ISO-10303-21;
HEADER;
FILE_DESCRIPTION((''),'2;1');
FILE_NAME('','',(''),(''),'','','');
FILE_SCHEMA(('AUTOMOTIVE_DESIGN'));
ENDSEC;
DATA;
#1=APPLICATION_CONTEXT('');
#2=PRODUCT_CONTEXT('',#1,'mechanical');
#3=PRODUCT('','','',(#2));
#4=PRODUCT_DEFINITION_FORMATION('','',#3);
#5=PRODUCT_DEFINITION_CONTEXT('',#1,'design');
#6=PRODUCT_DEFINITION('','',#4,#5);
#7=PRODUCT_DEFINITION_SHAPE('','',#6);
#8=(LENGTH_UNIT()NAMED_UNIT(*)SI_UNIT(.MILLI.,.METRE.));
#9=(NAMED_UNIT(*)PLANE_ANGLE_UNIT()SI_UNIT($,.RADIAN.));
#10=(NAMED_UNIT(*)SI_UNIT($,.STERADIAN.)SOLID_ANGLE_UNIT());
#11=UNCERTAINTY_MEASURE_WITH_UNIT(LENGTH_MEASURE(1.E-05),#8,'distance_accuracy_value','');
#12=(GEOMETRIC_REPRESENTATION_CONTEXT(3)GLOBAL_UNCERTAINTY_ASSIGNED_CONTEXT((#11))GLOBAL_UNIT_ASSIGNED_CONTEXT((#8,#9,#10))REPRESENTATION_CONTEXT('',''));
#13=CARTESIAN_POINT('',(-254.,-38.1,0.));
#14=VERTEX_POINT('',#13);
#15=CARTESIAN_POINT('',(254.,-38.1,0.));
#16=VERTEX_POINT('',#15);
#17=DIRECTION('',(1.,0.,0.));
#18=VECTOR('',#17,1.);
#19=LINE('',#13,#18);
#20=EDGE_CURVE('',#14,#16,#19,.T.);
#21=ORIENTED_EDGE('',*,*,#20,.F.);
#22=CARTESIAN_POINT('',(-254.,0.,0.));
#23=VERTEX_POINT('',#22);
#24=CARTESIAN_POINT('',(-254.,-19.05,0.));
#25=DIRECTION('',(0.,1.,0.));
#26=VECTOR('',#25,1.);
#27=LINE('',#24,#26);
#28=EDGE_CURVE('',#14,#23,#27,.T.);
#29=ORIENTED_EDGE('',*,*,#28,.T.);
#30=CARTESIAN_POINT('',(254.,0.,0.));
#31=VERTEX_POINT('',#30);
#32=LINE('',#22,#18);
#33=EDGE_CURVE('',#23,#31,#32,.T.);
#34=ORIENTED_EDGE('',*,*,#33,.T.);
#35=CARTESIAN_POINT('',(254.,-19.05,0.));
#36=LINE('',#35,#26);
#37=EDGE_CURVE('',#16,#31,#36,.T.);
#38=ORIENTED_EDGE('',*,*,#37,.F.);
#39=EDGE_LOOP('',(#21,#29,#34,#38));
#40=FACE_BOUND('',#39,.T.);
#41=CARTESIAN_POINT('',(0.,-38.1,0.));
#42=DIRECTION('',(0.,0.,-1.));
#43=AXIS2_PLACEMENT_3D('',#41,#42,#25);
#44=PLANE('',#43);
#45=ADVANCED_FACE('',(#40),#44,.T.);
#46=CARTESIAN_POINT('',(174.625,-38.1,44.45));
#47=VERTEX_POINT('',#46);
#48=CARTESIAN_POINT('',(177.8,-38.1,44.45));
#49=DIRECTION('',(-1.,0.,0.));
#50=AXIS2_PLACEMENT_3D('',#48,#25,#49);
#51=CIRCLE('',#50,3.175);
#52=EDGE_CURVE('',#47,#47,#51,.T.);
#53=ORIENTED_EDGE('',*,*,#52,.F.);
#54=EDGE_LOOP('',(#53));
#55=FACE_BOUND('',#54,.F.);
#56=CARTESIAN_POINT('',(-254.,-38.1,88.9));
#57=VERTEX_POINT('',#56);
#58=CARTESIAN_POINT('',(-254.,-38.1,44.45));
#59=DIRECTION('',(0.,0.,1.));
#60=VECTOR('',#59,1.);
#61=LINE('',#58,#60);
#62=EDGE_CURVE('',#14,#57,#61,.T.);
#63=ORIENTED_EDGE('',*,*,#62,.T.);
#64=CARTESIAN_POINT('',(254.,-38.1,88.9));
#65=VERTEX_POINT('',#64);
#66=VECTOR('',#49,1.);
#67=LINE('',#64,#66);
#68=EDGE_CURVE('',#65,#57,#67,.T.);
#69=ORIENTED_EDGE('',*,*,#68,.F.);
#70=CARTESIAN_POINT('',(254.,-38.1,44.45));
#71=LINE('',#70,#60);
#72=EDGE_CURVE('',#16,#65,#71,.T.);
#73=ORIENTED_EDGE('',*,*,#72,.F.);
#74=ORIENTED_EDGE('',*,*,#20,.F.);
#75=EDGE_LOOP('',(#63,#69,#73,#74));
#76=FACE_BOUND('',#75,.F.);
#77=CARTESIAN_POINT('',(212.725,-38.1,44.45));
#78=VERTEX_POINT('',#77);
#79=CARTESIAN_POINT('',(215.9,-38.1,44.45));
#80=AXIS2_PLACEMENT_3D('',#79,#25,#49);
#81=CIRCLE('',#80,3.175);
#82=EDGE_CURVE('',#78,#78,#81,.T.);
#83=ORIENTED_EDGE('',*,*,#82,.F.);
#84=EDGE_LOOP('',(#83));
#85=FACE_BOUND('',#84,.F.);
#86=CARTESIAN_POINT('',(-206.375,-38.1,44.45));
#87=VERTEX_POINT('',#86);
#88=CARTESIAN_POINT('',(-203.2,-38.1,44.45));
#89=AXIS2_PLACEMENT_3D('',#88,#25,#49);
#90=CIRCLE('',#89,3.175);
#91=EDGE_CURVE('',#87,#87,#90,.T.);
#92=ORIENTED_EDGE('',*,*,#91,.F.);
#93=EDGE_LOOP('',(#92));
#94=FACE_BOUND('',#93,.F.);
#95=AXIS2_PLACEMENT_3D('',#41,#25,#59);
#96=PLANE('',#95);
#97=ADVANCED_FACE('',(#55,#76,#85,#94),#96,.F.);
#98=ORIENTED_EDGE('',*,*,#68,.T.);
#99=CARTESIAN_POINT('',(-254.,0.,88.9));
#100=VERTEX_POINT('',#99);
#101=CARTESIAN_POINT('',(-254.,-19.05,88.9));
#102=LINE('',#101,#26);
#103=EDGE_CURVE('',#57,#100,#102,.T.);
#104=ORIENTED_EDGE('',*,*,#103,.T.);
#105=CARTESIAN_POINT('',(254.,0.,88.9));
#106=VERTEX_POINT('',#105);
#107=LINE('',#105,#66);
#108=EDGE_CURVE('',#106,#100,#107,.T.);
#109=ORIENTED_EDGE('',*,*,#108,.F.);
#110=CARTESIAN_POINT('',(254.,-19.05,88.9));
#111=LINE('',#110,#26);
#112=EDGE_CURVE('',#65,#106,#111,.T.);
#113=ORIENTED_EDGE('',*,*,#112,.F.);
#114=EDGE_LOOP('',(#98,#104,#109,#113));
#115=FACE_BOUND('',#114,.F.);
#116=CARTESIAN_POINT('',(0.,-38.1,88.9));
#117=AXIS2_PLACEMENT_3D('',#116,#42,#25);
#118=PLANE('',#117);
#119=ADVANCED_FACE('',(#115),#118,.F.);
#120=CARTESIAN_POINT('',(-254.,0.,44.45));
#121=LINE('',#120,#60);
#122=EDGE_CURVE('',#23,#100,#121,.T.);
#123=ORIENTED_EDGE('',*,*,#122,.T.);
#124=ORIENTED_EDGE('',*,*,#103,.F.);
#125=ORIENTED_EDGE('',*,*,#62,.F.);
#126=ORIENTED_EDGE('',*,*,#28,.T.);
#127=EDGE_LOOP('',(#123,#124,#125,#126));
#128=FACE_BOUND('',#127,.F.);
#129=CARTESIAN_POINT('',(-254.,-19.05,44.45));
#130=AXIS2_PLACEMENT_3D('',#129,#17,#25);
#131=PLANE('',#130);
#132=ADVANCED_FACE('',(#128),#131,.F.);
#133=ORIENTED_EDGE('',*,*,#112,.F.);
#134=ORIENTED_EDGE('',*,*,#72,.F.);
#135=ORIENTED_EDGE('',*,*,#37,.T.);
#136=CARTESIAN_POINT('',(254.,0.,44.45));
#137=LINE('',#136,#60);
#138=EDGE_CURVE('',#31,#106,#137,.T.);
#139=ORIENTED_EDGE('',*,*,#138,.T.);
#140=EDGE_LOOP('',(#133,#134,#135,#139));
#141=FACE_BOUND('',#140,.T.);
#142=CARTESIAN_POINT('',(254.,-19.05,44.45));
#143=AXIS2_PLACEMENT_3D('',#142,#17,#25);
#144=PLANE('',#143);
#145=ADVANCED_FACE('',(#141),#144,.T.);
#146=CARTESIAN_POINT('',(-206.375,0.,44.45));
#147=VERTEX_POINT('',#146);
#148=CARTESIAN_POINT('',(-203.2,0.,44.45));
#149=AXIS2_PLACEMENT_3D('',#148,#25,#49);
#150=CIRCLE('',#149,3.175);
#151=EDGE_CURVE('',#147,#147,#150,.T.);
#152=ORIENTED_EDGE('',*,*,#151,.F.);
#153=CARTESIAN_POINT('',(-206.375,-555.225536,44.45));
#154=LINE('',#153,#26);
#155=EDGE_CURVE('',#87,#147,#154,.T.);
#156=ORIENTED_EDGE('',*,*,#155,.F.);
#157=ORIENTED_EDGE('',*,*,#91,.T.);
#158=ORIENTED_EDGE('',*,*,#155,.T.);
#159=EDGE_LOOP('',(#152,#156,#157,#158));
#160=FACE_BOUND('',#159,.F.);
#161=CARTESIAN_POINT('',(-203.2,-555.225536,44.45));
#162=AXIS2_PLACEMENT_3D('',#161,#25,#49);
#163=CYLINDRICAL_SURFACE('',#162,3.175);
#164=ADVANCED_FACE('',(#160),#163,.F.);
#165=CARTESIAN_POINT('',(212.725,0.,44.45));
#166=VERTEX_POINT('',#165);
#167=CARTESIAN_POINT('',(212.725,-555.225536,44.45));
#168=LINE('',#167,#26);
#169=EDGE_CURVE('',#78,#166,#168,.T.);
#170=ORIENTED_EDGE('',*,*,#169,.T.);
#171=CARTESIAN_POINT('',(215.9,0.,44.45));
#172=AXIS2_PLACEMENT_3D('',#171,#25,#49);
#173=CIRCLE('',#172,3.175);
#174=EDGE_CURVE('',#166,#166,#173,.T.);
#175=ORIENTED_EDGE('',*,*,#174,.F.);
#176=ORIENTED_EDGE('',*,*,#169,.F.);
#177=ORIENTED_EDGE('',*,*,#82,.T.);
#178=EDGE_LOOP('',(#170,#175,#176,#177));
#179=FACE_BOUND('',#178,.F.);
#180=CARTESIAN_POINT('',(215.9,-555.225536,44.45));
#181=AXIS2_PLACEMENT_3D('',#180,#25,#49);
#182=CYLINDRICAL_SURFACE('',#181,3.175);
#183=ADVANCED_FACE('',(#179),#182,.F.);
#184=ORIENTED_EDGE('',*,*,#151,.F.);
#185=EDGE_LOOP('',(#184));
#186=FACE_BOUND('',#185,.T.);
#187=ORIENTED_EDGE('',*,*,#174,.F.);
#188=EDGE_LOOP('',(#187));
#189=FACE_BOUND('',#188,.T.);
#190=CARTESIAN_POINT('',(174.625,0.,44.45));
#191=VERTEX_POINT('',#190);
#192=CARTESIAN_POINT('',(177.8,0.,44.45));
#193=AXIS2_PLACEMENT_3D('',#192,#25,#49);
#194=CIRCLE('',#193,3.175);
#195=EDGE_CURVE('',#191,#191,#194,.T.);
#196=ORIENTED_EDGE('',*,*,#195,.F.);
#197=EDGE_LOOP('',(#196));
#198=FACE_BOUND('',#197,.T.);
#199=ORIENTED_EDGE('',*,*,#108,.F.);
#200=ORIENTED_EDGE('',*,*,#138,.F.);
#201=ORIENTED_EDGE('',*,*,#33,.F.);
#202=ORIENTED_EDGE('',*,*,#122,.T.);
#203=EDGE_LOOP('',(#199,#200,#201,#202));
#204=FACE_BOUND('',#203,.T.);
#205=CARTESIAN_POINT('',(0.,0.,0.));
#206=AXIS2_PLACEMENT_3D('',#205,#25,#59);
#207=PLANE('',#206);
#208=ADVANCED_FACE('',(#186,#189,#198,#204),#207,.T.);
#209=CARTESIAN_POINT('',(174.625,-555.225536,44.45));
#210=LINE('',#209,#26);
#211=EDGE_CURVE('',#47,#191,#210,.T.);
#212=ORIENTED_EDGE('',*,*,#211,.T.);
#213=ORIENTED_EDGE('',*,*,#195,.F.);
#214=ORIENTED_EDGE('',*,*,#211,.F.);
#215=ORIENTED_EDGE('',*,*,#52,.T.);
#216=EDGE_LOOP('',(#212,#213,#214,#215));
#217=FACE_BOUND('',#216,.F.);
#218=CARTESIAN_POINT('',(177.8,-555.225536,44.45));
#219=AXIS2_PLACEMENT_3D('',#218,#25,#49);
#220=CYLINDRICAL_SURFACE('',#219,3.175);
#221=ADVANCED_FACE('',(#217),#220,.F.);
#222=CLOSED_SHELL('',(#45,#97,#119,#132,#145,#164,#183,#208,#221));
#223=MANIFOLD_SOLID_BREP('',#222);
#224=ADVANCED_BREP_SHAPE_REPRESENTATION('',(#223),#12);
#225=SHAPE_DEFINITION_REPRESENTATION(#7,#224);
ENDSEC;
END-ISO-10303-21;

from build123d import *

# Parameters (mm, degrees)
F0_W     = 38.1
F0_H     = 88.9
F1_DEPTH = 254
F3_D     = 6.35


with BuildPart() as f1:
    # F0 (on Right) → F1 (new body, symmetric)
    with BuildSketch(Plane.YZ):
        with Locations((-19.05, 44.45)):
            Rectangle(F0_W, F0_H)
    extrude(amount=F1_DEPTH, both=True)

    # F3 (through all)
    with Locations(Plane.XZ.offset(38.1)):
        with Locations((215.9, 44.45), (177.8, 44.45), (-203.2, 44.45)):
            Hole(F3_D / 2)


solid = f1.part
